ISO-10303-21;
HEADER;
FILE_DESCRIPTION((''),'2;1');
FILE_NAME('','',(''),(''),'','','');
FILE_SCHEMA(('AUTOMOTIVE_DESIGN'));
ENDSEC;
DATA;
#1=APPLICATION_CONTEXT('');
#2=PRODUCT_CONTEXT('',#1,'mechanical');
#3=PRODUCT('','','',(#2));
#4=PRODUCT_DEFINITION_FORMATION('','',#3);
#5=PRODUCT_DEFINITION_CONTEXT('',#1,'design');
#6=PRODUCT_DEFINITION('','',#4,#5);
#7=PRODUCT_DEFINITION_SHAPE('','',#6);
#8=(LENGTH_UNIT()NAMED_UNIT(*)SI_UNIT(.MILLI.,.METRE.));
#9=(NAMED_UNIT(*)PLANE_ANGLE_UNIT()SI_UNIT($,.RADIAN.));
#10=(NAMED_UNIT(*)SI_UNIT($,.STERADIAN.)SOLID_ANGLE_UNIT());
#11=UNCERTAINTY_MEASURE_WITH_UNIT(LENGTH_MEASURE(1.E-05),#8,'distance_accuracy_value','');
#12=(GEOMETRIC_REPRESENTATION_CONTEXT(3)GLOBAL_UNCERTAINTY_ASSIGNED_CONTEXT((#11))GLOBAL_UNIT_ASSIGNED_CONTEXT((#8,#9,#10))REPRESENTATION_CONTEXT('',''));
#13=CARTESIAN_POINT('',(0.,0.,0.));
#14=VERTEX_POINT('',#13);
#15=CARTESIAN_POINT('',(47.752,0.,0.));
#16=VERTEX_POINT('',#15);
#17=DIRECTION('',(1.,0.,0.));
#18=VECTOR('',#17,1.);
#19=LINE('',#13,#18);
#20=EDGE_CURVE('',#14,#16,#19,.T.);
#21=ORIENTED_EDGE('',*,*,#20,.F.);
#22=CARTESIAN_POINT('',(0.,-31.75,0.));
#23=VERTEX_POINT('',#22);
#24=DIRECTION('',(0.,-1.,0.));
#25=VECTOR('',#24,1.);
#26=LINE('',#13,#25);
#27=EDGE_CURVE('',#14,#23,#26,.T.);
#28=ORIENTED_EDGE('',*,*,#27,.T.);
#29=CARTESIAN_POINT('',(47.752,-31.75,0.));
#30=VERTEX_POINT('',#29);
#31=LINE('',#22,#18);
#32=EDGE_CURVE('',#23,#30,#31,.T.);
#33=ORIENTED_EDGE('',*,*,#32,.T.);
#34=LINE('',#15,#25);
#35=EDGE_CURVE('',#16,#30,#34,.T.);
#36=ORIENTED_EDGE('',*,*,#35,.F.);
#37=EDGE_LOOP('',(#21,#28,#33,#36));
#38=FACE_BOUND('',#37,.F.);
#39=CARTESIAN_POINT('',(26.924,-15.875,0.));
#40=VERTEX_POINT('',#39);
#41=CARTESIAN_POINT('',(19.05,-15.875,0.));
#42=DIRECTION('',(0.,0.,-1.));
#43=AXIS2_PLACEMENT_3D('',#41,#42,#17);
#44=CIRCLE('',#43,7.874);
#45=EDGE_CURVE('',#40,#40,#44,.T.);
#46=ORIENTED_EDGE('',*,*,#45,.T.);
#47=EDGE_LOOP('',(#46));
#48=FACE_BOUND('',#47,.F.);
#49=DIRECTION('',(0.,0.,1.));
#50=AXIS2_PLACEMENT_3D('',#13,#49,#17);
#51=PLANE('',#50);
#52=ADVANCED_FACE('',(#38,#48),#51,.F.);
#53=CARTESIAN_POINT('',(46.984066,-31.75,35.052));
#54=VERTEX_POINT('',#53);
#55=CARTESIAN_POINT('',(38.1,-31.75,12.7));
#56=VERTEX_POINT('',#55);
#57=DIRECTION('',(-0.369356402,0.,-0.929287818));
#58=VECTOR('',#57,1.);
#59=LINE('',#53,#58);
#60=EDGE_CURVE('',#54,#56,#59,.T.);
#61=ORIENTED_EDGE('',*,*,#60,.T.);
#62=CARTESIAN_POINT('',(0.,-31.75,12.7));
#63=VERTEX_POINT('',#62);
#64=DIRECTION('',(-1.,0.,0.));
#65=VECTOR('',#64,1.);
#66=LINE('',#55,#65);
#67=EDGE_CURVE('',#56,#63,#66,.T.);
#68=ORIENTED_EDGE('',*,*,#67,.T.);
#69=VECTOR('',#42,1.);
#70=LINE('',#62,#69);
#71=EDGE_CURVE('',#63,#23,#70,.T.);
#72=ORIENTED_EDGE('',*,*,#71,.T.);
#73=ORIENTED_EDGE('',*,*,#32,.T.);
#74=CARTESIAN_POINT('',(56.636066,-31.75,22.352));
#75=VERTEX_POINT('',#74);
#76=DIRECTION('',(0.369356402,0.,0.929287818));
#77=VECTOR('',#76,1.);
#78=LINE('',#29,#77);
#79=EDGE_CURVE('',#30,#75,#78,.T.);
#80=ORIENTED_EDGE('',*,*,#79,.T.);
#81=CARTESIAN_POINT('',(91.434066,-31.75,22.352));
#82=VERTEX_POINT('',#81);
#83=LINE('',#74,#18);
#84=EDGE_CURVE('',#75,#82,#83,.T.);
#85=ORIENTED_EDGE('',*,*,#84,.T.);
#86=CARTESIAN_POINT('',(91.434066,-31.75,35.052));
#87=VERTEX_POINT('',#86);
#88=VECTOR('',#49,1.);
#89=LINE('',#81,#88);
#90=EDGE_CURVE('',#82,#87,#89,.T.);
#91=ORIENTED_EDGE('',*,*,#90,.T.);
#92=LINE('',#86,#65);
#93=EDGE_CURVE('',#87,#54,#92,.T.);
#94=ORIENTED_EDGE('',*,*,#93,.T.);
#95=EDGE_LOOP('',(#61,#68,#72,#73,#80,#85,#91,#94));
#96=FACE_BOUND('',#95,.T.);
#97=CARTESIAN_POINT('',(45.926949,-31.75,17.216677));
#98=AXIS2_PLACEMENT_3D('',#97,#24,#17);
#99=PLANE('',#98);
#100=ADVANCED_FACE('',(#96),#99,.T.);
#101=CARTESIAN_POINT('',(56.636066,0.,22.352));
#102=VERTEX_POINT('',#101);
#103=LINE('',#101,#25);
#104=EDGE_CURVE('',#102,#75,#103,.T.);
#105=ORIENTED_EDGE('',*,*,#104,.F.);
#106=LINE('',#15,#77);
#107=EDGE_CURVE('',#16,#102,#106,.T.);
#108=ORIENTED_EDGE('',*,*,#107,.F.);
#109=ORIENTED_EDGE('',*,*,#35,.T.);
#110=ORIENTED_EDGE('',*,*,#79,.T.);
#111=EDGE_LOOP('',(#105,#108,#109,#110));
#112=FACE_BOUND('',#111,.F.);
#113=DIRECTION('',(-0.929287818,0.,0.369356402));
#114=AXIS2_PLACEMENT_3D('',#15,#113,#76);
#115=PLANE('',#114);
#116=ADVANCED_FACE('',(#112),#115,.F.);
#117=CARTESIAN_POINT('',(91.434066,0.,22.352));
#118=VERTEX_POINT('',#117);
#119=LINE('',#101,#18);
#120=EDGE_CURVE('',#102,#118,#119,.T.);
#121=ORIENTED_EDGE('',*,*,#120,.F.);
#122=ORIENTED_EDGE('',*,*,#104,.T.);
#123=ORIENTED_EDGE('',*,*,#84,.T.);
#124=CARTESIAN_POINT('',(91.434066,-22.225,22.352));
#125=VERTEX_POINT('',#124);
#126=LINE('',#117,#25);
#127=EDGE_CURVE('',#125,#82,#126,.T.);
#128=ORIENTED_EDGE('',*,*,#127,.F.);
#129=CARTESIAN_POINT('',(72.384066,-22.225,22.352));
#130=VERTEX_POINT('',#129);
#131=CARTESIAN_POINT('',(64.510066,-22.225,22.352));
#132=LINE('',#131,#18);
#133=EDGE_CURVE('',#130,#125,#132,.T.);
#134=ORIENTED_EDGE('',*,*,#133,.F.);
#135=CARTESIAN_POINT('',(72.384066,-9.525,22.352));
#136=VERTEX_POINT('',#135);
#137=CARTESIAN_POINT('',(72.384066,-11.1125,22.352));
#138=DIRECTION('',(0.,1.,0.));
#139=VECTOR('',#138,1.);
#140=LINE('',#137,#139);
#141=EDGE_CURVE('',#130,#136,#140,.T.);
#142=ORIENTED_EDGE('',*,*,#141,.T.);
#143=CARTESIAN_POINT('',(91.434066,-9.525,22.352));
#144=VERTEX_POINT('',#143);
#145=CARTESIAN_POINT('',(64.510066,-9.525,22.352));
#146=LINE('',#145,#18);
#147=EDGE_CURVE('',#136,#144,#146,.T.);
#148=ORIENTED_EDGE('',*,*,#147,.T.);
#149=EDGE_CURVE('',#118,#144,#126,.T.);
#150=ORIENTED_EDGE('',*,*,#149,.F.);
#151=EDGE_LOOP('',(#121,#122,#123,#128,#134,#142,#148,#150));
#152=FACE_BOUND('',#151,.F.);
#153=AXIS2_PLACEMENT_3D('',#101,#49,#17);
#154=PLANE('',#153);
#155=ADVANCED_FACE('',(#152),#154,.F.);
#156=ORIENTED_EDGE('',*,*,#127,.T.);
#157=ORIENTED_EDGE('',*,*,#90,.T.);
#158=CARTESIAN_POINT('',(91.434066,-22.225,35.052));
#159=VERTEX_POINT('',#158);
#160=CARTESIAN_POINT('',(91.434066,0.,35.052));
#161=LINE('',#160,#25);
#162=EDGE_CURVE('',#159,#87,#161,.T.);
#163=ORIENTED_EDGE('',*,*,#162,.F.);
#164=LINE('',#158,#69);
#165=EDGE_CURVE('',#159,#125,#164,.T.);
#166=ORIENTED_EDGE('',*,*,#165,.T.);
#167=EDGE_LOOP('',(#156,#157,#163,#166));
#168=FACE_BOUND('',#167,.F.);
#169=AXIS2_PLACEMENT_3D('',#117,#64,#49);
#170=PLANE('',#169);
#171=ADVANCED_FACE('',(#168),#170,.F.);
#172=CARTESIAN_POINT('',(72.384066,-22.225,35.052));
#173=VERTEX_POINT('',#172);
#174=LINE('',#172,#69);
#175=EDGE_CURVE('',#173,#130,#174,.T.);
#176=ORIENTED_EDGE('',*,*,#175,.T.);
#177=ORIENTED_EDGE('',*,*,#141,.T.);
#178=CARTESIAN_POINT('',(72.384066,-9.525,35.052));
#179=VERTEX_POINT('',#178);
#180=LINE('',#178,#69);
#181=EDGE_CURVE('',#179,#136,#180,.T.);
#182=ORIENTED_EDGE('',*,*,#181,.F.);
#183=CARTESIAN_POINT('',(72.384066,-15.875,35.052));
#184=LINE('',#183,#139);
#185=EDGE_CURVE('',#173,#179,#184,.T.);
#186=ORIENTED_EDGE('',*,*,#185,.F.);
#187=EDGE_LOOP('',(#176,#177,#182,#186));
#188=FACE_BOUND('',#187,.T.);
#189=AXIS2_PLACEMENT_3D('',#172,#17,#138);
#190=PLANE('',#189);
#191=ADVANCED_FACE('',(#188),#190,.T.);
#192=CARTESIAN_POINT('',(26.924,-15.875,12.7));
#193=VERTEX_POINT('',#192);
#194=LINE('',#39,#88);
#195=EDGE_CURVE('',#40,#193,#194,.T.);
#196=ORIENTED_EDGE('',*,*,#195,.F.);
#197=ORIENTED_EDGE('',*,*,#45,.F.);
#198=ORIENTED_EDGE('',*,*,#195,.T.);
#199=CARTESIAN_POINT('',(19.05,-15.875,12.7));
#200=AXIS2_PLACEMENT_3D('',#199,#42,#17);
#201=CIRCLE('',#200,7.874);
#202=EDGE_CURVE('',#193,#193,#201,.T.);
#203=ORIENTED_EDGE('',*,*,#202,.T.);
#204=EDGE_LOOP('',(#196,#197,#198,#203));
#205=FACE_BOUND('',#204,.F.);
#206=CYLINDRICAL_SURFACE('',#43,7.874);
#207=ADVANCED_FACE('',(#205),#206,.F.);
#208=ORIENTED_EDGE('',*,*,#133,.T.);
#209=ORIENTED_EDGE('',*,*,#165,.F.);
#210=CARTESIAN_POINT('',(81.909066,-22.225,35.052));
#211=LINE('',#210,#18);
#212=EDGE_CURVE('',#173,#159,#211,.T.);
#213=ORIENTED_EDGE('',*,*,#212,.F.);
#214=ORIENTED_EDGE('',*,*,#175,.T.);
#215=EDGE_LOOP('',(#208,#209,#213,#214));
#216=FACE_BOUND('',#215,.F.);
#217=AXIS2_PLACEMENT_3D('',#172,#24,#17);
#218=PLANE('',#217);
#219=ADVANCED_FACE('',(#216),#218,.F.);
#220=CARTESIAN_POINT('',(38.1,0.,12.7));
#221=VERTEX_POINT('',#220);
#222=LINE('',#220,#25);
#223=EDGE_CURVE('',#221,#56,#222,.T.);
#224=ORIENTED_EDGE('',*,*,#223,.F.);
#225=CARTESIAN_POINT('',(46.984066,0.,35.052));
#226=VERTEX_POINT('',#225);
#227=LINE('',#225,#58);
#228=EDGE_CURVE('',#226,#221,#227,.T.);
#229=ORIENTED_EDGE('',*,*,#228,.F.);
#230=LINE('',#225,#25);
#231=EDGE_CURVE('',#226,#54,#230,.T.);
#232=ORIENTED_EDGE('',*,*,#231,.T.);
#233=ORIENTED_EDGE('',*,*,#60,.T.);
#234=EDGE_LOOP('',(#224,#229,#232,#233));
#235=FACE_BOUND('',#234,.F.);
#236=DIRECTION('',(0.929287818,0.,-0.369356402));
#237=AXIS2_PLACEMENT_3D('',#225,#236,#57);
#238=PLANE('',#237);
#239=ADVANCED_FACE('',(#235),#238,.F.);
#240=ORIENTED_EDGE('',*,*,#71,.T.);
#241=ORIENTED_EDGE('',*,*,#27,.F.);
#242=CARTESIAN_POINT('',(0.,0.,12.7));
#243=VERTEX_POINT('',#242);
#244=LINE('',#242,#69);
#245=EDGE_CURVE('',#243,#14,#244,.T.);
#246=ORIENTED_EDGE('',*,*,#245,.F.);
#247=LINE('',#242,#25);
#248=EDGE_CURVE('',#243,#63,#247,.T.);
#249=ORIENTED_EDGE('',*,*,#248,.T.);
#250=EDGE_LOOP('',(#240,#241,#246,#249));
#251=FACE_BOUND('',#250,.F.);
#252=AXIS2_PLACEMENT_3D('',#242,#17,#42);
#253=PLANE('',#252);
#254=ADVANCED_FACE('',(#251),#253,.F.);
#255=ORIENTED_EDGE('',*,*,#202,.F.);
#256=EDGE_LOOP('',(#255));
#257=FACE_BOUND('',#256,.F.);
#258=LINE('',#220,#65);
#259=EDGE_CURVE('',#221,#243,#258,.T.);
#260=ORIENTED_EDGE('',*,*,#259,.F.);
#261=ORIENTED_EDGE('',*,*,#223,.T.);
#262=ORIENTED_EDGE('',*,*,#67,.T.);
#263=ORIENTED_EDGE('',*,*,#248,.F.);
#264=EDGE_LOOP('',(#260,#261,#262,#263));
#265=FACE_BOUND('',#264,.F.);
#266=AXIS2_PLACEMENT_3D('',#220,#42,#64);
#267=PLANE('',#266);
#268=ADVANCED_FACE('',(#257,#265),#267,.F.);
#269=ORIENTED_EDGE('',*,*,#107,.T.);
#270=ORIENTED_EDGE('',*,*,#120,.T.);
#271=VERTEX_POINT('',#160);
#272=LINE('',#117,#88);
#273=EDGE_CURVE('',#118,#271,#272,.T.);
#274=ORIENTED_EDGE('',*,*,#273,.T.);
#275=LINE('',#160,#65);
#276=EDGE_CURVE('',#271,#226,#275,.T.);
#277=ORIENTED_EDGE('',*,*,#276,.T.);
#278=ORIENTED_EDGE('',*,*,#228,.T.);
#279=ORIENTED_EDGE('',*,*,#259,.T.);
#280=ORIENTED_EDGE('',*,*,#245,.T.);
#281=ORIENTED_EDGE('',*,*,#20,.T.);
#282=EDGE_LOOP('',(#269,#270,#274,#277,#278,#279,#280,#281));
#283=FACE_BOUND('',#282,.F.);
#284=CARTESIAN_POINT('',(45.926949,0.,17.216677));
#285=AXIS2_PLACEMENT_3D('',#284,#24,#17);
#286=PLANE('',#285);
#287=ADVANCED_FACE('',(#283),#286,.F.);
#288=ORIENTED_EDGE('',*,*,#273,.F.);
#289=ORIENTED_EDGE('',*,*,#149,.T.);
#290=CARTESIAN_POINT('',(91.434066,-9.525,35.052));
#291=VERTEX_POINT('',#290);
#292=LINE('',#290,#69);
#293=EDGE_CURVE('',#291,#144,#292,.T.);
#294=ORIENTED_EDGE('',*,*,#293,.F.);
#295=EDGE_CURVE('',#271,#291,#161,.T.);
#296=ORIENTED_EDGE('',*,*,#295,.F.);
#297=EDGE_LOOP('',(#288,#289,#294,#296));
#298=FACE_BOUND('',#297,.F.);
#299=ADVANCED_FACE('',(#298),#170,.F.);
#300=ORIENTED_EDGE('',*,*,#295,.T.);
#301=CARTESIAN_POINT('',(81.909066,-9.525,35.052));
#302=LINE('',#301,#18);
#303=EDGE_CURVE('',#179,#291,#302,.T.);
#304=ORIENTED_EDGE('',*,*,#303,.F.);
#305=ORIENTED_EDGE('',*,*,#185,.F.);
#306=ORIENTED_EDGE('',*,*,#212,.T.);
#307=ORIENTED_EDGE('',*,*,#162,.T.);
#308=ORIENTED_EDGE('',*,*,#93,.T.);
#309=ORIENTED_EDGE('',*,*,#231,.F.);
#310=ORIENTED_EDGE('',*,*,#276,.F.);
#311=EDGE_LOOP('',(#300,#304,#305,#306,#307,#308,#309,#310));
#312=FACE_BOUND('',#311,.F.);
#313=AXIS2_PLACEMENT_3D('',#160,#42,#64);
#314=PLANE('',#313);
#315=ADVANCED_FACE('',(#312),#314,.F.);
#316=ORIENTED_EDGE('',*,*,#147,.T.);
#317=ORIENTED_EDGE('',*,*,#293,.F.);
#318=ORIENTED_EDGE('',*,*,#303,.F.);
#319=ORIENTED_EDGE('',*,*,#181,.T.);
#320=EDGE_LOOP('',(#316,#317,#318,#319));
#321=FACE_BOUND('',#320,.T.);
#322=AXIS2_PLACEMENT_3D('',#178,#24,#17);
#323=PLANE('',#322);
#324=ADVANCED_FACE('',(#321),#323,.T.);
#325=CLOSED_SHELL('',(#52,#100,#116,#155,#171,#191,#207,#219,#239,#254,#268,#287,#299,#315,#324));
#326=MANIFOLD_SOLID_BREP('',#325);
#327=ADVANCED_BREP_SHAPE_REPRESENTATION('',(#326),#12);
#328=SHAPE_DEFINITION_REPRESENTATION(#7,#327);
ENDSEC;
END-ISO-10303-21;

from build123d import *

# Parameters (mm, degrees)
F1_DEPTH = 31.75
F2_W     = 19.05
F2_H     = 12.7
F3_DEPTH = 35.053
F5_DEPTH = 35.053


with BuildPart() as f1:
    # F0 (on Front) → F1 (new body)
    with BuildSketch(Plane.XZ):
        Polygon((0, 12.7), (0, 0), (47.752, 0), (56.636066, 22.352), (91.434066, 22.352), (91.434066, 35.052), (46.984066, 35.052), (38.1, 12.7), align=None)
    extrude(amount=F1_DEPTH)

    # F2 (on face) → F3 (cut, through all)
    with BuildSketch(Plane.XY.offset(35.052)):
        with Locations((81.909066, -15.875)):
            Rectangle(F2_W, F2_H)
    extrude(amount=-F3_DEPTH, mode=Mode.SUBTRACT)

    # F4 (on face) → F5 (cut, through all)
    with BuildSketch(Plane(origin=(0, 0, 0), x_dir=(1, 0, 0), z_dir=(0, 0, -1))):
        with BuildLine():
            ThreePointArc((11.176, 15.875), (19.05, 8.001), (26.924, 15.875))
            ThreePointArc((26.924, 15.875), (19.05, 23.749), (11.176, 15.875))
        make_face()
    extrude(amount=-F5_DEPTH, mode=Mode.SUBTRACT)


solid = f1.part
